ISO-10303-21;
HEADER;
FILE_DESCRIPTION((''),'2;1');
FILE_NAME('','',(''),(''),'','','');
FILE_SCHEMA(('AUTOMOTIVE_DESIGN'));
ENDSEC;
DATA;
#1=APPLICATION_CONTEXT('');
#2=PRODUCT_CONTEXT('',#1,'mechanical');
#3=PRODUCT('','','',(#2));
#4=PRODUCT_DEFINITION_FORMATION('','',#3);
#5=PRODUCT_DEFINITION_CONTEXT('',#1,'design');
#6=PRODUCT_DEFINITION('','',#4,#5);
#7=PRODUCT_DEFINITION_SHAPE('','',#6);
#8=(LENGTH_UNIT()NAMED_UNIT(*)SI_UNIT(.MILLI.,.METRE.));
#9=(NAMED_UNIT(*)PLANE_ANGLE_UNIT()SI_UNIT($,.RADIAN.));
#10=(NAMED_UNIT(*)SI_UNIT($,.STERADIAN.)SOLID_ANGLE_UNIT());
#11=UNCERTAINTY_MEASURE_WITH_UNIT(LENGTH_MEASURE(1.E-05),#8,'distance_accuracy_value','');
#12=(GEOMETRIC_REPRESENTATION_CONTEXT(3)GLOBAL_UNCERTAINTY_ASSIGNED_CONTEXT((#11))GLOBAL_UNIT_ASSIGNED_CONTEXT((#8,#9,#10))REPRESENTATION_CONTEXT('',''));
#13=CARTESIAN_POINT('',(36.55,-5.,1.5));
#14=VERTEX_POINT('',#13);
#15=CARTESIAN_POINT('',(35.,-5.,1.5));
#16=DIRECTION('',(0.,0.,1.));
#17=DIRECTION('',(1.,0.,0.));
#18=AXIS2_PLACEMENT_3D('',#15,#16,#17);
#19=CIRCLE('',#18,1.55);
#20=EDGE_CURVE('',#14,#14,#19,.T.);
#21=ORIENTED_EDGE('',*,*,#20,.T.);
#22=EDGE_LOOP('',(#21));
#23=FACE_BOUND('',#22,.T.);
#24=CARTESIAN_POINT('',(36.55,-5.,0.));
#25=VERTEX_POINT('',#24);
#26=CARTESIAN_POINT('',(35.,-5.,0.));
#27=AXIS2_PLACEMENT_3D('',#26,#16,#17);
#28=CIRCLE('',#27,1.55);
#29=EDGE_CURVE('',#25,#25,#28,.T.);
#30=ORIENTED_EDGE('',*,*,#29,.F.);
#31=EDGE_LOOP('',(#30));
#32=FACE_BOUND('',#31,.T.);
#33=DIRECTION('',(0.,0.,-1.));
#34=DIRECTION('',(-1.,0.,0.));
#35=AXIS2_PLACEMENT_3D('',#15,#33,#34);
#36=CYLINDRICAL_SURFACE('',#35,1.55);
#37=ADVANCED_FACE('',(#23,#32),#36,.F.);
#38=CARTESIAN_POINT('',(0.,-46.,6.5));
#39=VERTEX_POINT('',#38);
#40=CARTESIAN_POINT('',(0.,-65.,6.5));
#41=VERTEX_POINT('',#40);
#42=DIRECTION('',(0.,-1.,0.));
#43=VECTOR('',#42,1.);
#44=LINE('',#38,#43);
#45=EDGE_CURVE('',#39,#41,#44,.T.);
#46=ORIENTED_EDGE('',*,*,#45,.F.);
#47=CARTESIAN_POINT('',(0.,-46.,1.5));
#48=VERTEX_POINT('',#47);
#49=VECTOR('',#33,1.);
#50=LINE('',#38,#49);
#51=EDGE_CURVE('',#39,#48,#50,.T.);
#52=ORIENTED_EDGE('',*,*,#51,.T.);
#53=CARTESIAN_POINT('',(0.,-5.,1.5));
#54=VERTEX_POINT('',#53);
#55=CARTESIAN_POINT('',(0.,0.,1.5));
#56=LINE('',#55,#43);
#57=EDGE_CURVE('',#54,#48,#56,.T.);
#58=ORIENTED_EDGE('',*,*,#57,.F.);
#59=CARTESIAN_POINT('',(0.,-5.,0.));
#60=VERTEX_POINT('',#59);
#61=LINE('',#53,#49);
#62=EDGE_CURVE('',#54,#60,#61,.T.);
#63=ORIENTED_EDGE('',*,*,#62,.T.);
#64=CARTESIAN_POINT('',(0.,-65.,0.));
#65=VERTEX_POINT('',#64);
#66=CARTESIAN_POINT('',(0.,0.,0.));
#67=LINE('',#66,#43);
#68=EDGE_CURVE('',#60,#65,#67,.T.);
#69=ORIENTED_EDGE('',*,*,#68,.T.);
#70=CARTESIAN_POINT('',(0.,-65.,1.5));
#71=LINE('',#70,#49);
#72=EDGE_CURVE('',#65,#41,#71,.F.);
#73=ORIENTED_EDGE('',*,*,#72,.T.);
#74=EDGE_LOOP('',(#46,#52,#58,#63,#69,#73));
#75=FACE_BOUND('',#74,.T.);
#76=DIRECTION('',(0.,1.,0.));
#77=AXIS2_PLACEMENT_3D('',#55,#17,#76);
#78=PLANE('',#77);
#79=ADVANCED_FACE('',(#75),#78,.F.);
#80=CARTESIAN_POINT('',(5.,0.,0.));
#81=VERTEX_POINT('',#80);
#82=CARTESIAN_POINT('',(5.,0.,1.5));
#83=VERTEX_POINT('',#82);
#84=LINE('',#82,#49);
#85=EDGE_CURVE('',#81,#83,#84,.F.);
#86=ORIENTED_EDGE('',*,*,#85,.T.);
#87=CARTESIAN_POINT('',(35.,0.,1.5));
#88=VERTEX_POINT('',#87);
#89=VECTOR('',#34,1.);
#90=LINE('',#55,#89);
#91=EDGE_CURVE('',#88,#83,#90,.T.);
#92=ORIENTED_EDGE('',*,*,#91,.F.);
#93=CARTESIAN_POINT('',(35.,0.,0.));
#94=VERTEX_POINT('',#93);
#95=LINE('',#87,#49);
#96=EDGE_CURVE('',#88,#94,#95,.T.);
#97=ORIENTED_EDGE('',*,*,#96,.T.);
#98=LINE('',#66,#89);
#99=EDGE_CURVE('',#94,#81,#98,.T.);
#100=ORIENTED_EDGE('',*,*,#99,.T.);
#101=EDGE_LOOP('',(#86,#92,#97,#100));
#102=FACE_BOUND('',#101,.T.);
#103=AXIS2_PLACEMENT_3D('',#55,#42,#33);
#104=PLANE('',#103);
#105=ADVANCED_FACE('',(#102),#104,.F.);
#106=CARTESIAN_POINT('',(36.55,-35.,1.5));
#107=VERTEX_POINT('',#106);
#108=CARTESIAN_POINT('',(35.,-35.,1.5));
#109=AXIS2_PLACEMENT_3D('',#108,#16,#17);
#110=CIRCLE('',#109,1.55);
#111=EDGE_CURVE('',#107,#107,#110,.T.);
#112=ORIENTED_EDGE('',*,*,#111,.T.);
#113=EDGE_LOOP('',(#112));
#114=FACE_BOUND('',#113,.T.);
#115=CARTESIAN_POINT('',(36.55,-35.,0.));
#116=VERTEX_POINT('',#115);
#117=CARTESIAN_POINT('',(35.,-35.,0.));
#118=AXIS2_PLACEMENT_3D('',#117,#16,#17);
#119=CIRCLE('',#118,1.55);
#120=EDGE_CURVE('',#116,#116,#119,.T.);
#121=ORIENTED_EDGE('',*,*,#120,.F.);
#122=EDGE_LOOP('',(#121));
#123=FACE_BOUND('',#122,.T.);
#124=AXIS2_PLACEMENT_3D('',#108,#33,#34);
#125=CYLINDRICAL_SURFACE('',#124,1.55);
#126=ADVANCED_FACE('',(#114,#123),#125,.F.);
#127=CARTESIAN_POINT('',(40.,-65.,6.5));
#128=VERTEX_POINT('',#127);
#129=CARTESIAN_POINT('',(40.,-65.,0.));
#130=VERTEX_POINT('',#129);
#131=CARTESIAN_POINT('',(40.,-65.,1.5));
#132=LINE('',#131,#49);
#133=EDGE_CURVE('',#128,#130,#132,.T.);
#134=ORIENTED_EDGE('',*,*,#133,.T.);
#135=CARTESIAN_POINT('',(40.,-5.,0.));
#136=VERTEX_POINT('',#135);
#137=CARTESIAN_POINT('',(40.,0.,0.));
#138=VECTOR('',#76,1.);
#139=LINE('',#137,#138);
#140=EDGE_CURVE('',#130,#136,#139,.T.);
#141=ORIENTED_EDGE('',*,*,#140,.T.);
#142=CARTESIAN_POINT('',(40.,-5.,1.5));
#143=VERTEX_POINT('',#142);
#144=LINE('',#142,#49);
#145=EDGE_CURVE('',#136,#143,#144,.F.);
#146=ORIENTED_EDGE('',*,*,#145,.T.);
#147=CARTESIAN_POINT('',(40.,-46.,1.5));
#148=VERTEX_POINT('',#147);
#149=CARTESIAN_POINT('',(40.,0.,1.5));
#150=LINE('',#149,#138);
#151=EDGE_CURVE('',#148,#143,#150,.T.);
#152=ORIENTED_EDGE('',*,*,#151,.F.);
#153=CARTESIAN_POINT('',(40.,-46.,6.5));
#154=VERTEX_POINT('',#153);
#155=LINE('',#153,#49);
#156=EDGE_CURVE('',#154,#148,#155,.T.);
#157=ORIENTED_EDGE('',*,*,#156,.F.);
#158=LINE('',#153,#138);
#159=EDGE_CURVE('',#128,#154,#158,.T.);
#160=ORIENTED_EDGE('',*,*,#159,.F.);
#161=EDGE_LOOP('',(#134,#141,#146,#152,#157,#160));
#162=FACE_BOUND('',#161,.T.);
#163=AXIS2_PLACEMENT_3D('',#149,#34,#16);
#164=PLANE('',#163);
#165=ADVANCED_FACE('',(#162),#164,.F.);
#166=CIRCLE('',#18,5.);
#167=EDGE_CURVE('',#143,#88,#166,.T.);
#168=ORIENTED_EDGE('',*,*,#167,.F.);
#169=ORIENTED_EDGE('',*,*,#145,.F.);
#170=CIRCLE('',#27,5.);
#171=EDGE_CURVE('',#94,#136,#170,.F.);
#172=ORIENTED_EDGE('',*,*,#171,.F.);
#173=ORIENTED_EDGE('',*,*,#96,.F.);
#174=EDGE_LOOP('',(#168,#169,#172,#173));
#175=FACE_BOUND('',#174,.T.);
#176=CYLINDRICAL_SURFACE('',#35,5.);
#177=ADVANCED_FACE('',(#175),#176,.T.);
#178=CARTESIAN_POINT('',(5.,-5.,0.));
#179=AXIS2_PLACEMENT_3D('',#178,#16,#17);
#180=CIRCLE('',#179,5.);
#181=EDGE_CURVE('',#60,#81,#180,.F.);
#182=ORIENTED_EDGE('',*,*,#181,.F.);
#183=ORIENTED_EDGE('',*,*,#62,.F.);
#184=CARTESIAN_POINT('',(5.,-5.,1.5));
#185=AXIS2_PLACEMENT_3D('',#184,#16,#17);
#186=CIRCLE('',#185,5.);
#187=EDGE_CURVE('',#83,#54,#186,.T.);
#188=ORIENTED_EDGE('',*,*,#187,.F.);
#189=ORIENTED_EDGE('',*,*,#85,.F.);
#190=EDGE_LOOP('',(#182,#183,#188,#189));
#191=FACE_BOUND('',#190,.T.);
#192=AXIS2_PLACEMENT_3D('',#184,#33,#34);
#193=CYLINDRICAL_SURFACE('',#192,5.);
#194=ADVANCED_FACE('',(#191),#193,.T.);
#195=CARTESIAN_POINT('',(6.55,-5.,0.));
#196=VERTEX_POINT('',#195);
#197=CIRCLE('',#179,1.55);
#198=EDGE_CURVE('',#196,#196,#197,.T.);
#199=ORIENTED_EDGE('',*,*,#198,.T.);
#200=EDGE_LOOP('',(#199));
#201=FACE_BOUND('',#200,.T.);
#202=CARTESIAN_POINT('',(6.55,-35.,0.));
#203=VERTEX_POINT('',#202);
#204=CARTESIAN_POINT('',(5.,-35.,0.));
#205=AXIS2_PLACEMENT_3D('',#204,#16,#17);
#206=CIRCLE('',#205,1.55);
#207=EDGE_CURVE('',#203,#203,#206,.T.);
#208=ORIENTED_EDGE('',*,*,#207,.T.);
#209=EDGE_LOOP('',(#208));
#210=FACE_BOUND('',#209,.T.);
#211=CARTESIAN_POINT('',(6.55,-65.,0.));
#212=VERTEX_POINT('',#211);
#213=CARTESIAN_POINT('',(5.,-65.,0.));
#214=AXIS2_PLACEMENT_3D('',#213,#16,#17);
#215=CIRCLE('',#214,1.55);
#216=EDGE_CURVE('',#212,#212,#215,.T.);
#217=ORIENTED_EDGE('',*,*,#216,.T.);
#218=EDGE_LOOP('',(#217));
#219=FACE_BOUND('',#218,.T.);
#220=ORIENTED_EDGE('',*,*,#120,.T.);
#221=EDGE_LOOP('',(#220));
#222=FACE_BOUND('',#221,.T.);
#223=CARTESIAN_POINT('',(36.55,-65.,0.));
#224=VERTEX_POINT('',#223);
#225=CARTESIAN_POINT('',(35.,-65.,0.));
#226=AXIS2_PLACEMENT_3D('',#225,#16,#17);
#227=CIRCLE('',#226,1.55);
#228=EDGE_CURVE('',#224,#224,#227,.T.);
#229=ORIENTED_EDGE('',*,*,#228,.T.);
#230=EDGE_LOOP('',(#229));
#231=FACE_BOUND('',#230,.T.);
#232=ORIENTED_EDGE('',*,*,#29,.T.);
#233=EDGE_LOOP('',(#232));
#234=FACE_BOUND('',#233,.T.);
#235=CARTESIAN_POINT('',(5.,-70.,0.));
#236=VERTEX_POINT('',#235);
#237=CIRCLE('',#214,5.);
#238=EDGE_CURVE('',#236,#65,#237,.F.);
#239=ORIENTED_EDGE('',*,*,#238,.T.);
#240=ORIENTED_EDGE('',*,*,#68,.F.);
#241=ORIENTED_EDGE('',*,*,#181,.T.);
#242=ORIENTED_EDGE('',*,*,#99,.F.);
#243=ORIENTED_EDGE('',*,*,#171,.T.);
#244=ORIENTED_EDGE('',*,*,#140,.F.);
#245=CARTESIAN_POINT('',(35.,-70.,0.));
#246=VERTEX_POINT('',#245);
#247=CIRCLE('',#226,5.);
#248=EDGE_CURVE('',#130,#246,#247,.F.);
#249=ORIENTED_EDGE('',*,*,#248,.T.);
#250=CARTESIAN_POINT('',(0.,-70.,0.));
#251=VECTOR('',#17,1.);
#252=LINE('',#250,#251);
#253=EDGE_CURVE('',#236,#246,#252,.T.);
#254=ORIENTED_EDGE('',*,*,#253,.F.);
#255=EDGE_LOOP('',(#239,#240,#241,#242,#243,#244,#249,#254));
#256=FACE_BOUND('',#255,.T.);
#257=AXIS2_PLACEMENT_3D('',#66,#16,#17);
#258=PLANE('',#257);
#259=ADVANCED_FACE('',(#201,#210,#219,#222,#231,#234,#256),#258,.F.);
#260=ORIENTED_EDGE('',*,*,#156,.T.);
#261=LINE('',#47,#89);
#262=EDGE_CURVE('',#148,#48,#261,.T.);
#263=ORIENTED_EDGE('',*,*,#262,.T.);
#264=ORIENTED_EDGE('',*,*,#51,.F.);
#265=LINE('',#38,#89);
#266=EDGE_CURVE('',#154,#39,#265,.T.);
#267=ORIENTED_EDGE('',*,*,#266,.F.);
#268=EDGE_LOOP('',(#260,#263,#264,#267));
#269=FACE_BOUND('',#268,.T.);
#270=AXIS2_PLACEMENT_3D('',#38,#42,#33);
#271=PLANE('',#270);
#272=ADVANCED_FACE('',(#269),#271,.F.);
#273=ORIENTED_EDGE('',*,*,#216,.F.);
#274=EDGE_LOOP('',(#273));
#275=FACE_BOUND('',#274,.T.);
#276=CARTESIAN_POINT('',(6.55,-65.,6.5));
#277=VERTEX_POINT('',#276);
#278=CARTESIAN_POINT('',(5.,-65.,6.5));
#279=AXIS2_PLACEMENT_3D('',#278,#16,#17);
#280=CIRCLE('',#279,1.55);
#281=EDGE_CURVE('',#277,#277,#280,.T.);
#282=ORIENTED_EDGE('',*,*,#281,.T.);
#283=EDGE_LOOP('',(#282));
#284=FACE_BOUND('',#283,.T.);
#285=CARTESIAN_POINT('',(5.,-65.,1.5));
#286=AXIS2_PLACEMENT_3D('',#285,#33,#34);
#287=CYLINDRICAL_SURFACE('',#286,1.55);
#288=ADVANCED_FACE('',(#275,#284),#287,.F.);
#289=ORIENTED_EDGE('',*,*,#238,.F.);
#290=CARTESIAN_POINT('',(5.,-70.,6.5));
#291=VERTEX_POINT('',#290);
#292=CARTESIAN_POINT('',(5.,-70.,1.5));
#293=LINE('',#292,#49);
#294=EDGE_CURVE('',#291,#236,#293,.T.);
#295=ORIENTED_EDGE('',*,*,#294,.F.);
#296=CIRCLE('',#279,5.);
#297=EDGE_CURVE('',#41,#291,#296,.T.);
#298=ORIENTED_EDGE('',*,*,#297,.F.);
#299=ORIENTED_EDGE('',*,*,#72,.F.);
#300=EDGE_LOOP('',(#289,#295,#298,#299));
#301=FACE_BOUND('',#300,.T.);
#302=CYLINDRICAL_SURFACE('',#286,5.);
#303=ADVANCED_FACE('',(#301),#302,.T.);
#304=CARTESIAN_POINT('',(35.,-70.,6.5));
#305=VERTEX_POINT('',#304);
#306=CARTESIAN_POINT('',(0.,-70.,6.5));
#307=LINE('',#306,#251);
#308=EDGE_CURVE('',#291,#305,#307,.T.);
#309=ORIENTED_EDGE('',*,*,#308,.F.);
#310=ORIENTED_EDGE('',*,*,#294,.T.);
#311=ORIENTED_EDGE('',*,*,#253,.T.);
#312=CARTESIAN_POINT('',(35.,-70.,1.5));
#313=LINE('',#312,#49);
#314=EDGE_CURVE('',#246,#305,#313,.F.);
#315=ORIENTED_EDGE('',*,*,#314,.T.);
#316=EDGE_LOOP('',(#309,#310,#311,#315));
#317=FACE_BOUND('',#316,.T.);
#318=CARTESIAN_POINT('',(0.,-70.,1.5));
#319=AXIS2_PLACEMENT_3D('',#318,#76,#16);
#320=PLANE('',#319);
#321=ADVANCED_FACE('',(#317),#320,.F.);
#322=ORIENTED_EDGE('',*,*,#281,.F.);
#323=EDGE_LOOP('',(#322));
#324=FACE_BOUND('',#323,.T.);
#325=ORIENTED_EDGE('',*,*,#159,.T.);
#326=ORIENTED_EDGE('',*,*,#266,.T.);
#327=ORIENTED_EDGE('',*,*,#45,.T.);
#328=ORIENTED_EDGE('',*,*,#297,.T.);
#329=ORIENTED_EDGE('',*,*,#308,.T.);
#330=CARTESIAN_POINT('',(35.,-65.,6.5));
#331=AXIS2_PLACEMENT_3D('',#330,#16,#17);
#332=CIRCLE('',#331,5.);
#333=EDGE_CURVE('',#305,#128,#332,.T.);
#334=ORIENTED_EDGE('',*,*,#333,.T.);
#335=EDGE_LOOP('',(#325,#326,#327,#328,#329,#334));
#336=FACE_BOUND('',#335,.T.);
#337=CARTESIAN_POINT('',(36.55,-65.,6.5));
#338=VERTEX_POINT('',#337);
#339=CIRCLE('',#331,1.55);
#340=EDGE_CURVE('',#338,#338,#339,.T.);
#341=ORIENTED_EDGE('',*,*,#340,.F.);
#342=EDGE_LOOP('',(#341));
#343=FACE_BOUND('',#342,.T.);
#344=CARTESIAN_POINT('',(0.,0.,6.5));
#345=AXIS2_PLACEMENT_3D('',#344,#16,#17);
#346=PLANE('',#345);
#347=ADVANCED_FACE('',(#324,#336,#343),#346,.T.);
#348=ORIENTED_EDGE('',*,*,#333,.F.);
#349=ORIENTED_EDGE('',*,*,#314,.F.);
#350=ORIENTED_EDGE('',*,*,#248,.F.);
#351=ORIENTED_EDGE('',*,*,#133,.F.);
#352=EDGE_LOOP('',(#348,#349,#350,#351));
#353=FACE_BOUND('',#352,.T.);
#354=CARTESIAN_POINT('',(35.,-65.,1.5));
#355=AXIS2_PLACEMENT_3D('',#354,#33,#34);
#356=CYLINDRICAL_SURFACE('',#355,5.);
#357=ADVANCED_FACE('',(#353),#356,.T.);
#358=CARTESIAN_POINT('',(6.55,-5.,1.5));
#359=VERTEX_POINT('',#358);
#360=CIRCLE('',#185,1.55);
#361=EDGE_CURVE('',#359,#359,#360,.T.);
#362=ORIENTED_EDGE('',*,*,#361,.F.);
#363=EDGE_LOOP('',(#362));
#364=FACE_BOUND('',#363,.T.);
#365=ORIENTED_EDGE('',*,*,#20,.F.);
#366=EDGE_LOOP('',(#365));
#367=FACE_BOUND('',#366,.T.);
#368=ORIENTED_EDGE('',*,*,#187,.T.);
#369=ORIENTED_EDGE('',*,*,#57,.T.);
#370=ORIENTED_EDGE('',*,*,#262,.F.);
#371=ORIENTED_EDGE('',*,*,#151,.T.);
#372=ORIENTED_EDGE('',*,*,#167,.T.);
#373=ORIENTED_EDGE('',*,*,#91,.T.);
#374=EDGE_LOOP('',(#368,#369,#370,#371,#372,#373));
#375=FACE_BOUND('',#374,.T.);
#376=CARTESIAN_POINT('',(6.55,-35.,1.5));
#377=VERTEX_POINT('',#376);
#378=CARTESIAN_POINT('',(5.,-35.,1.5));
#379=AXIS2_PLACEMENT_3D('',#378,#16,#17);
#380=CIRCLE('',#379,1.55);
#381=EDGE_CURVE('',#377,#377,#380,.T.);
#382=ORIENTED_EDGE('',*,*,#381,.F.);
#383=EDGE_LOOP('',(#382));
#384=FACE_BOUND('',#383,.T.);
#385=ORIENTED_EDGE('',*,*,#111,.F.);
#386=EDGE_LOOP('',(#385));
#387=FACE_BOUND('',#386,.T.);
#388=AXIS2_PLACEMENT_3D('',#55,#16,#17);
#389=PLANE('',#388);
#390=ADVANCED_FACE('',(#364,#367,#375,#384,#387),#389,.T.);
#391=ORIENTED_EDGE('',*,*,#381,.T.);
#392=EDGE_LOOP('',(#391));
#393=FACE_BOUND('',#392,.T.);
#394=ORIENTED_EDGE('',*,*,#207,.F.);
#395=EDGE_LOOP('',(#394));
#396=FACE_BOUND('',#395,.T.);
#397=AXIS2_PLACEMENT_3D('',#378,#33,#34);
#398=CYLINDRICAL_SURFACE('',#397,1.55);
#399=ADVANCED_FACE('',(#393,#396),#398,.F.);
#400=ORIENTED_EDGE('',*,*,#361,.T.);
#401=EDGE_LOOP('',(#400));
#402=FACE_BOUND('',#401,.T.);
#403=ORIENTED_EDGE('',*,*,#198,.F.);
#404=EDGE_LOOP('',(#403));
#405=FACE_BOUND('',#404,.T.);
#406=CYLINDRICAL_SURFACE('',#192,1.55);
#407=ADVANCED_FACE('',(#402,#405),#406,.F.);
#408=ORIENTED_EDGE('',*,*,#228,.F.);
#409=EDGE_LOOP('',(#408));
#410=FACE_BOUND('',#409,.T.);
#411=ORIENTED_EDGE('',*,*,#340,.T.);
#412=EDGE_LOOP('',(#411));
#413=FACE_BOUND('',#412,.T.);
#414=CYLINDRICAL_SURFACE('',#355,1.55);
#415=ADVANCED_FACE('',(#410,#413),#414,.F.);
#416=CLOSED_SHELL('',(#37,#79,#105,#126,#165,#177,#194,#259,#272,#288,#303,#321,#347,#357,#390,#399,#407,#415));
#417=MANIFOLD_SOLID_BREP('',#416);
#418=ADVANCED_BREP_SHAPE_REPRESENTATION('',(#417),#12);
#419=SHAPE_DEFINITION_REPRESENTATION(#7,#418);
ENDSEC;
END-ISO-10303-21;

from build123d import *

# Parameters (mm, degrees)
SKETCH_1_W          = 40
SKETCH_1_H          = 70
SKETCH_1_R          = 1.55
EXTRUDE_1_DEPTH     = 1.5
SKETCH_2_W          = 40
SKETCH_2_H          = 24
EXTRUDE_2_DEPTH     = 5
SKETCH_3_R          = 1.55
CUT_EXTRUDE_1_DEPTH = 25
FILLET_1_R          = 5


with BuildPart() as part:
    # 草图1 → 凸台-拉伸1 (new body)
    with BuildSketch(Plane.XY):
        with Locations((20, -35)):
            Rectangle(SKETCH_1_W, SKETCH_1_H)
        with Locations((5, -5)):
            Circle(SKETCH_1_R, mode=Mode.SUBTRACT)
        with Locations((35, -5)):
            Circle(SKETCH_1_R, mode=Mode.SUBTRACT)
        with Locations((5, -35)):
            Circle(SKETCH_1_R, mode=Mode.SUBTRACT)
        with Locations((35, -35)):
            Circle(SKETCH_1_R, mode=Mode.SUBTRACT)
        with Locations((5, -65)):
            Circle(SKETCH_1_R, mode=Mode.SUBTRACT)
        with Locations((35, -65)):
            Circle(SKETCH_1_R, mode=Mode.SUBTRACT)
    extrude(amount=EXTRUDE_1_DEPTH)

    # 草图2 → 凸台-拉伸2 (add)
    with BuildSketch(Plane.XY.offset(1.5)):
        with Locations((20, -58)):
            Rectangle(SKETCH_2_W, SKETCH_2_H)
    extrude(amount=EXTRUDE_2_DEPTH)

    # 草图3 → 切除-拉伸1 (cut)
    with BuildSketch(Plane(origin=(0, 0, 1.5), x_dir=(-1, 0, 0), z_dir=(0, 0, -1))):
        with Locations(Location((-35, -65, 0), (0, 0, 180))):
            Circle(SKETCH_3_R)
        with Locations(Location((-5, -65, 0), (0, 0, 180))):
            Circle(SKETCH_3_R)
    extrude(amount=-CUT_EXTRUDE_1_DEPTH, mode=Mode.SUBTRACT)

    # 圆角1
    fillet_1_edges = [part.edges().sort_by_distance(p)[0] for p in [
        (0, 0, 0.75),
        (40, 0, 0.75),
        (40, -70, 3.25),
        (0, -70, 3.25),
    ]]
    fillet(fillet_1_edges, radius=FILLET_1_R)


solid = part.part
